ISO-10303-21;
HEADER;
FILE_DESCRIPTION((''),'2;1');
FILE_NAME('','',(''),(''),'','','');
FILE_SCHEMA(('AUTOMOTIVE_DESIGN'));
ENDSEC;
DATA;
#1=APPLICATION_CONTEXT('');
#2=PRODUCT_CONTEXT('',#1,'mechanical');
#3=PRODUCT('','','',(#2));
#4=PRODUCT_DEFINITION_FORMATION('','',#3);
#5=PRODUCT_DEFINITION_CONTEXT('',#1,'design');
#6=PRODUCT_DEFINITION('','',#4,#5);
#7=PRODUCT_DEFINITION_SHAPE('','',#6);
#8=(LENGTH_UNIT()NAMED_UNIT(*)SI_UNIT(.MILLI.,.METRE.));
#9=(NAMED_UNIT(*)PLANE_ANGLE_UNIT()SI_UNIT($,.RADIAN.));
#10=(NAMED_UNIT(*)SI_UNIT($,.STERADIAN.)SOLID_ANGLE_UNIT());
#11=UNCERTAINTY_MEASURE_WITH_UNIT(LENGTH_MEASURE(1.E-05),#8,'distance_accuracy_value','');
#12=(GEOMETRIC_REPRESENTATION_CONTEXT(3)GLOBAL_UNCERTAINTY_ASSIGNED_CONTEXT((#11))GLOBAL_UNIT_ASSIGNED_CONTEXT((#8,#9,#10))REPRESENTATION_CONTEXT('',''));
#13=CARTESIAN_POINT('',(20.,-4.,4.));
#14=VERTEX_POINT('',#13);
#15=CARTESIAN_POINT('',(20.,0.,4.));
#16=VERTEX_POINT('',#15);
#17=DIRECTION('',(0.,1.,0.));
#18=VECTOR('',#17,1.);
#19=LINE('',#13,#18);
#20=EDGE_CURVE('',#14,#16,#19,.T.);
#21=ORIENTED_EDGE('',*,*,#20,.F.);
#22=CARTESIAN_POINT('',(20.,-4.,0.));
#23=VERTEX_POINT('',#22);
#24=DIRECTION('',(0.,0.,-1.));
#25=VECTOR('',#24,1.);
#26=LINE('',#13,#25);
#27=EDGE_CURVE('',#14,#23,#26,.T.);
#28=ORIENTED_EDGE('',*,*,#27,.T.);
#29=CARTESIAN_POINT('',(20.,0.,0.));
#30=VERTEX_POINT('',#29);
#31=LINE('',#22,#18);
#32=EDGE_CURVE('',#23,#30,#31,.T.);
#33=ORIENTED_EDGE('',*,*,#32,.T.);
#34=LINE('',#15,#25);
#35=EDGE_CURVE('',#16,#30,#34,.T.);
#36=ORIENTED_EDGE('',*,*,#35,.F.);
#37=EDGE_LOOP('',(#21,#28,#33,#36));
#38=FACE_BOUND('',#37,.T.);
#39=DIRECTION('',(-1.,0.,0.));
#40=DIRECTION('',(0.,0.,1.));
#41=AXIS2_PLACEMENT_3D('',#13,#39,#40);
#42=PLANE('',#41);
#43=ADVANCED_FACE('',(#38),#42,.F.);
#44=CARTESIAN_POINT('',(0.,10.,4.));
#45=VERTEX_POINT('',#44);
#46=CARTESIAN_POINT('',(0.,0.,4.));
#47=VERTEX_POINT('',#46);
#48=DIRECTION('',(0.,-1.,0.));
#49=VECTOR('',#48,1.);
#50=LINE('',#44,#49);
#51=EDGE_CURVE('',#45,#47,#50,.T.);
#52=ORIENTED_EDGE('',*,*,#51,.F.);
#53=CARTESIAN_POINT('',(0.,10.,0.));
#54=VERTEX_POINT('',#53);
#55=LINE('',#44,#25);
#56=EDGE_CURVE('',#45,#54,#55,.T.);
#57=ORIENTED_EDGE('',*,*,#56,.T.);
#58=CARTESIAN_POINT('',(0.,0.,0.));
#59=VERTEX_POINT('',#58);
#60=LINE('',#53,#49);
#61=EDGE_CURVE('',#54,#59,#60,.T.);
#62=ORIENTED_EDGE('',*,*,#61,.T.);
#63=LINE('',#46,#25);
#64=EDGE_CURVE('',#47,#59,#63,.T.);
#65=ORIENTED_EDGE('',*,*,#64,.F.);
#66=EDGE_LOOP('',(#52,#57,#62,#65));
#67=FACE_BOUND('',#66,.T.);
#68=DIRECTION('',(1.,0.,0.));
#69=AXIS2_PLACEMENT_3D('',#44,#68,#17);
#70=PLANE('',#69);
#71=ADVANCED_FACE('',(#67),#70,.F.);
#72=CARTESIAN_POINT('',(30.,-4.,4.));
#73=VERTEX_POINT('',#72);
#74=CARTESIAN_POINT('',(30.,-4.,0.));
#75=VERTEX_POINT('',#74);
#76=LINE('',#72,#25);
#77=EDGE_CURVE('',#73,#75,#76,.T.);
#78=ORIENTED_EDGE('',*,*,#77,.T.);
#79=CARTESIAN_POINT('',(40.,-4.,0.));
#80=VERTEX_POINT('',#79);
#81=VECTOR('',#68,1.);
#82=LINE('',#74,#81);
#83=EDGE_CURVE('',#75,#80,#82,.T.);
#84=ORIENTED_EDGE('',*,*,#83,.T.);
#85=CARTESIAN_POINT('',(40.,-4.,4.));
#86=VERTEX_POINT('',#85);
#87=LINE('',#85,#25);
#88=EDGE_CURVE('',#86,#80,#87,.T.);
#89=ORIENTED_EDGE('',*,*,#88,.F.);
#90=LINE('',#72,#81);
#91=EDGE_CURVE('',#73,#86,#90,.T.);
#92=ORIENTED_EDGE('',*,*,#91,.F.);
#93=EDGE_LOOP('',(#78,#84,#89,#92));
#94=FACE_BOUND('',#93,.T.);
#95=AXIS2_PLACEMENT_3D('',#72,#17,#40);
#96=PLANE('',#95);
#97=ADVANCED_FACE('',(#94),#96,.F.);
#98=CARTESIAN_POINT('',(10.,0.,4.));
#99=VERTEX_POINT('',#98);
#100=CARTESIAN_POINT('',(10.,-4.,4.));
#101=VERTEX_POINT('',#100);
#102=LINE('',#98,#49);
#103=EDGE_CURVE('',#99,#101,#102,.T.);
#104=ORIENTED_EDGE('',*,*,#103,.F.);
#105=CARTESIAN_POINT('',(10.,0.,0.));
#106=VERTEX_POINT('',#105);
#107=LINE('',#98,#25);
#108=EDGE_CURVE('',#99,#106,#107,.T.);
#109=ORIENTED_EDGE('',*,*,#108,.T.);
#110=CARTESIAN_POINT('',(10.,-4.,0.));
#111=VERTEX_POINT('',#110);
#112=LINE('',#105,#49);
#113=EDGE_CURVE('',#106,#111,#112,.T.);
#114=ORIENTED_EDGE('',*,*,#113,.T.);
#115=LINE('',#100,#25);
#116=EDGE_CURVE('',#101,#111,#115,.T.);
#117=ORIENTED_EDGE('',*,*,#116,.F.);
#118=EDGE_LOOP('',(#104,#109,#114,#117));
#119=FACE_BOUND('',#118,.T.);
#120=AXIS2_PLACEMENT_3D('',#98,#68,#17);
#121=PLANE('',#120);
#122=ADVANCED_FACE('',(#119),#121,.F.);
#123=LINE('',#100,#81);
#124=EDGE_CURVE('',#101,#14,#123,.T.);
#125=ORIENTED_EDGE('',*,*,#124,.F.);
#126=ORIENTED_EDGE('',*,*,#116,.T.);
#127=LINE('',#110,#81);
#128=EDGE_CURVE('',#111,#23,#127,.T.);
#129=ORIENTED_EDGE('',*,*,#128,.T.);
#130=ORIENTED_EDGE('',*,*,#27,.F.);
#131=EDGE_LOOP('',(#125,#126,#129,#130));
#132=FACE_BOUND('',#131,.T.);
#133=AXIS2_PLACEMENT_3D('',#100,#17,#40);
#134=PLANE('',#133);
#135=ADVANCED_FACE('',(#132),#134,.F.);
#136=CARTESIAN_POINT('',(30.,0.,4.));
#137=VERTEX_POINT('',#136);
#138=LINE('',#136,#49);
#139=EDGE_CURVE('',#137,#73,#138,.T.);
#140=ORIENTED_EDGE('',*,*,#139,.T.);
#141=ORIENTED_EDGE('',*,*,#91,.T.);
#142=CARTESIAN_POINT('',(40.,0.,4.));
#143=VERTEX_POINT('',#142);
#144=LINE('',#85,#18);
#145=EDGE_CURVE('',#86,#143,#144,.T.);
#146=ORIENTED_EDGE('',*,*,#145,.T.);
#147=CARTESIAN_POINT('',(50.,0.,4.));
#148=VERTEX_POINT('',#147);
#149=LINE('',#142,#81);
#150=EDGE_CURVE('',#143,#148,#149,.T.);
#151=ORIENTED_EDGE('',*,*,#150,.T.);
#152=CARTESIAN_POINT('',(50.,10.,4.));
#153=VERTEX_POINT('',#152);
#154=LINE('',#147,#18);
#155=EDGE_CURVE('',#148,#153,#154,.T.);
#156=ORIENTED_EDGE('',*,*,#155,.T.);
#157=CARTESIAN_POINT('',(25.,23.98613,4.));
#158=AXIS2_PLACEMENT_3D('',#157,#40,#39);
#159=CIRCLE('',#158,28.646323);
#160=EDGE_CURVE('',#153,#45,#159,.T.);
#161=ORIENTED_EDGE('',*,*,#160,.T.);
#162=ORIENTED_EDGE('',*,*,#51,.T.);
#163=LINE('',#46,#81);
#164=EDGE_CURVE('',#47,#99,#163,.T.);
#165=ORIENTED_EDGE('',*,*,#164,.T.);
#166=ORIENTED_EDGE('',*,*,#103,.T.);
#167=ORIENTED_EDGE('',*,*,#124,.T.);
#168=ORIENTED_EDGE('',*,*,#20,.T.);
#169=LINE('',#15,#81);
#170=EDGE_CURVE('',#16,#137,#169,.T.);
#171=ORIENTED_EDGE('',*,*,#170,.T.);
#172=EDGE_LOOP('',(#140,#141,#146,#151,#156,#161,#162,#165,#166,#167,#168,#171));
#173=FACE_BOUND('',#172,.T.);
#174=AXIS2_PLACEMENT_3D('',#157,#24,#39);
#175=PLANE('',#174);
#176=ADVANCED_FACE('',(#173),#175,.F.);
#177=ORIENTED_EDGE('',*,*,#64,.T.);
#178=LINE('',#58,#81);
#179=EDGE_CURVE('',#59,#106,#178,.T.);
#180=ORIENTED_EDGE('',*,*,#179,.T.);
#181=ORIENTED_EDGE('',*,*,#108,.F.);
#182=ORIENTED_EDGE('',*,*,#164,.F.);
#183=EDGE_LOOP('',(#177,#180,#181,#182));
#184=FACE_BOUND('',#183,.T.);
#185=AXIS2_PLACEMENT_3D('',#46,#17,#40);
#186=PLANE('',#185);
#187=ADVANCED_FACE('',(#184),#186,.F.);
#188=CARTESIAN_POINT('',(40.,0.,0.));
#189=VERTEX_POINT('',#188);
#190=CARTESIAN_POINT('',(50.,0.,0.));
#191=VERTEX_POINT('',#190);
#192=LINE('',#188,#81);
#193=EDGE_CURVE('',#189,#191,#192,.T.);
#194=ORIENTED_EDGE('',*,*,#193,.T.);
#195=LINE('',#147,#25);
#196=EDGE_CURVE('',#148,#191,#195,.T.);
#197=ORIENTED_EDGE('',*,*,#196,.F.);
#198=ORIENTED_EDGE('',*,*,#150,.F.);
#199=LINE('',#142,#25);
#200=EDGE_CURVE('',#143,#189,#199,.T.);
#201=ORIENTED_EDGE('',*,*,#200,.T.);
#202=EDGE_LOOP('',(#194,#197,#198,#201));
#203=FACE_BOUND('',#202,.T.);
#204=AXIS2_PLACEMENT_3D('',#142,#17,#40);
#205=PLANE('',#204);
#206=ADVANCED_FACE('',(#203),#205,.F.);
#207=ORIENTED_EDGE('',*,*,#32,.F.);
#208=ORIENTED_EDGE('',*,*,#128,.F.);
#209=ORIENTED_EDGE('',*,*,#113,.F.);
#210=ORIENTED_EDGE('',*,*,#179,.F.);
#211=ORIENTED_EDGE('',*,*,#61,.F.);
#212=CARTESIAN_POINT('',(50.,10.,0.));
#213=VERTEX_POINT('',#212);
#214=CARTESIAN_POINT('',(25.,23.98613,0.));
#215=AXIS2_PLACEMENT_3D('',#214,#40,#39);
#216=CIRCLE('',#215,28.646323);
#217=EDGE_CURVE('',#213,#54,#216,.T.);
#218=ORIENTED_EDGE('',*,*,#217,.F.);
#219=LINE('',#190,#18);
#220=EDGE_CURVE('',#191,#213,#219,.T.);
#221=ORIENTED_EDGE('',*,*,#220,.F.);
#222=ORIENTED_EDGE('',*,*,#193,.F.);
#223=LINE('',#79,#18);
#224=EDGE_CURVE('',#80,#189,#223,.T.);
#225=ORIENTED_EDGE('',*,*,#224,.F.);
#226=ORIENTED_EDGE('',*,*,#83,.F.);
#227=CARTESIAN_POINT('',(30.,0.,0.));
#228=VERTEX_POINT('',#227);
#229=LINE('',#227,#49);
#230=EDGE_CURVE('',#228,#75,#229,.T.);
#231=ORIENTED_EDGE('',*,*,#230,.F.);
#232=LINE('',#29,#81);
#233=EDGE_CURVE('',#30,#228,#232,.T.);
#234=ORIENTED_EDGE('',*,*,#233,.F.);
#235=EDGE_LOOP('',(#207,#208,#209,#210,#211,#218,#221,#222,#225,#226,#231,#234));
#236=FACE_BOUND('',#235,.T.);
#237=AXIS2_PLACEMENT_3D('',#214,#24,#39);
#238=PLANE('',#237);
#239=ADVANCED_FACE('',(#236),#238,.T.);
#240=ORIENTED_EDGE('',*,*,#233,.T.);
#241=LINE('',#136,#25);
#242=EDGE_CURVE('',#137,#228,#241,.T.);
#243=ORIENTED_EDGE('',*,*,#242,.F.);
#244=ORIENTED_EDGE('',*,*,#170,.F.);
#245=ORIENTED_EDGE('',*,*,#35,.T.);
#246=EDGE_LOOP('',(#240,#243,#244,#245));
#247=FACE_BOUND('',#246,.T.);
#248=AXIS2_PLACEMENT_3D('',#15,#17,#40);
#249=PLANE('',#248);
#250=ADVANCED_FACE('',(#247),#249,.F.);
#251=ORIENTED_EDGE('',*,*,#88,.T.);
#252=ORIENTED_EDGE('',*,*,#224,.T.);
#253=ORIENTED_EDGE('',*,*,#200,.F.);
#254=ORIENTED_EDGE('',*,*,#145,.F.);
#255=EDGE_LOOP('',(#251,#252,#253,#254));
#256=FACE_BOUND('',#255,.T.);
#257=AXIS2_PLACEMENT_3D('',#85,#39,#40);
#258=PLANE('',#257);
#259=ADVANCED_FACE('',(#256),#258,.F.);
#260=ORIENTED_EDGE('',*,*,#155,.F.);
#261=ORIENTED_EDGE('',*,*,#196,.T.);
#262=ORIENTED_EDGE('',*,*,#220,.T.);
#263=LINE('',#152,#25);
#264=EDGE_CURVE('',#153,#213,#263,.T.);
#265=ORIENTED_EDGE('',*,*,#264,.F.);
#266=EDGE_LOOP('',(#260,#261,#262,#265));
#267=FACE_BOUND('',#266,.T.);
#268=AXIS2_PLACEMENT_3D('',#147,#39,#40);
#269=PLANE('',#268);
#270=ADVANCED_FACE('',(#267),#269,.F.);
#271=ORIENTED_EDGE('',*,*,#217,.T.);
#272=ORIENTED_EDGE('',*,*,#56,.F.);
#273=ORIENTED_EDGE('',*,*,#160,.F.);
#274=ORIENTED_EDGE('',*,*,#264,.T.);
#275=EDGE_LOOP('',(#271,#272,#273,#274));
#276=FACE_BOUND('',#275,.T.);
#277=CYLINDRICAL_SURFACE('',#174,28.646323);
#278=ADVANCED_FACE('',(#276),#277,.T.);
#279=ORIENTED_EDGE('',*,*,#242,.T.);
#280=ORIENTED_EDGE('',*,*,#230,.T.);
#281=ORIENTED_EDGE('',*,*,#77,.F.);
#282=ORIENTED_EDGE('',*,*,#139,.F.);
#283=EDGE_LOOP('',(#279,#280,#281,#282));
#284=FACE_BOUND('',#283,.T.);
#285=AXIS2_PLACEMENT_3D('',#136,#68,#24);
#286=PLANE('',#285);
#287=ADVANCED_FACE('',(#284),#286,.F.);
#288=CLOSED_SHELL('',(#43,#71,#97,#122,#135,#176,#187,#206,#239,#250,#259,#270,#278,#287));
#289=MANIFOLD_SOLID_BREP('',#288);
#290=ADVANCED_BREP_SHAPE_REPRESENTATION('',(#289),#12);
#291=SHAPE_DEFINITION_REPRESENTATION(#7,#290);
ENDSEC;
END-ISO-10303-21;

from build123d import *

# Parameters (mm, degrees)
BOSS_EXTRUDE1_DEPTH = 4


with BuildPart() as part:
    # Sketch1 → Boss-Extrude1 (new body)
    with BuildSketch(Plane.XY):
        with BuildLine():
            Line((0, 0), (10, 0))
            Line((10, 0), (10, -4))
            Line((10, -4), (20, -4))
            Line((20, -4), (20, 0))
            Line((20, 0), (30, 0))
            Line((30, 0), (30, -4))
            Line((30, -4), (40, -4))
            Line((40, -4), (40, 0))
            Line((40, 0), (50, 0))
            Line((50, 0), (50, 10))
            ThreePointArc((50, 10), (25, 52.632453378), (0, 10))
            Line((0, 10), (0, 0))
        make_face()
    extrude(amount=BOSS_EXTRUDE1_DEPTH)


solid = part.part
